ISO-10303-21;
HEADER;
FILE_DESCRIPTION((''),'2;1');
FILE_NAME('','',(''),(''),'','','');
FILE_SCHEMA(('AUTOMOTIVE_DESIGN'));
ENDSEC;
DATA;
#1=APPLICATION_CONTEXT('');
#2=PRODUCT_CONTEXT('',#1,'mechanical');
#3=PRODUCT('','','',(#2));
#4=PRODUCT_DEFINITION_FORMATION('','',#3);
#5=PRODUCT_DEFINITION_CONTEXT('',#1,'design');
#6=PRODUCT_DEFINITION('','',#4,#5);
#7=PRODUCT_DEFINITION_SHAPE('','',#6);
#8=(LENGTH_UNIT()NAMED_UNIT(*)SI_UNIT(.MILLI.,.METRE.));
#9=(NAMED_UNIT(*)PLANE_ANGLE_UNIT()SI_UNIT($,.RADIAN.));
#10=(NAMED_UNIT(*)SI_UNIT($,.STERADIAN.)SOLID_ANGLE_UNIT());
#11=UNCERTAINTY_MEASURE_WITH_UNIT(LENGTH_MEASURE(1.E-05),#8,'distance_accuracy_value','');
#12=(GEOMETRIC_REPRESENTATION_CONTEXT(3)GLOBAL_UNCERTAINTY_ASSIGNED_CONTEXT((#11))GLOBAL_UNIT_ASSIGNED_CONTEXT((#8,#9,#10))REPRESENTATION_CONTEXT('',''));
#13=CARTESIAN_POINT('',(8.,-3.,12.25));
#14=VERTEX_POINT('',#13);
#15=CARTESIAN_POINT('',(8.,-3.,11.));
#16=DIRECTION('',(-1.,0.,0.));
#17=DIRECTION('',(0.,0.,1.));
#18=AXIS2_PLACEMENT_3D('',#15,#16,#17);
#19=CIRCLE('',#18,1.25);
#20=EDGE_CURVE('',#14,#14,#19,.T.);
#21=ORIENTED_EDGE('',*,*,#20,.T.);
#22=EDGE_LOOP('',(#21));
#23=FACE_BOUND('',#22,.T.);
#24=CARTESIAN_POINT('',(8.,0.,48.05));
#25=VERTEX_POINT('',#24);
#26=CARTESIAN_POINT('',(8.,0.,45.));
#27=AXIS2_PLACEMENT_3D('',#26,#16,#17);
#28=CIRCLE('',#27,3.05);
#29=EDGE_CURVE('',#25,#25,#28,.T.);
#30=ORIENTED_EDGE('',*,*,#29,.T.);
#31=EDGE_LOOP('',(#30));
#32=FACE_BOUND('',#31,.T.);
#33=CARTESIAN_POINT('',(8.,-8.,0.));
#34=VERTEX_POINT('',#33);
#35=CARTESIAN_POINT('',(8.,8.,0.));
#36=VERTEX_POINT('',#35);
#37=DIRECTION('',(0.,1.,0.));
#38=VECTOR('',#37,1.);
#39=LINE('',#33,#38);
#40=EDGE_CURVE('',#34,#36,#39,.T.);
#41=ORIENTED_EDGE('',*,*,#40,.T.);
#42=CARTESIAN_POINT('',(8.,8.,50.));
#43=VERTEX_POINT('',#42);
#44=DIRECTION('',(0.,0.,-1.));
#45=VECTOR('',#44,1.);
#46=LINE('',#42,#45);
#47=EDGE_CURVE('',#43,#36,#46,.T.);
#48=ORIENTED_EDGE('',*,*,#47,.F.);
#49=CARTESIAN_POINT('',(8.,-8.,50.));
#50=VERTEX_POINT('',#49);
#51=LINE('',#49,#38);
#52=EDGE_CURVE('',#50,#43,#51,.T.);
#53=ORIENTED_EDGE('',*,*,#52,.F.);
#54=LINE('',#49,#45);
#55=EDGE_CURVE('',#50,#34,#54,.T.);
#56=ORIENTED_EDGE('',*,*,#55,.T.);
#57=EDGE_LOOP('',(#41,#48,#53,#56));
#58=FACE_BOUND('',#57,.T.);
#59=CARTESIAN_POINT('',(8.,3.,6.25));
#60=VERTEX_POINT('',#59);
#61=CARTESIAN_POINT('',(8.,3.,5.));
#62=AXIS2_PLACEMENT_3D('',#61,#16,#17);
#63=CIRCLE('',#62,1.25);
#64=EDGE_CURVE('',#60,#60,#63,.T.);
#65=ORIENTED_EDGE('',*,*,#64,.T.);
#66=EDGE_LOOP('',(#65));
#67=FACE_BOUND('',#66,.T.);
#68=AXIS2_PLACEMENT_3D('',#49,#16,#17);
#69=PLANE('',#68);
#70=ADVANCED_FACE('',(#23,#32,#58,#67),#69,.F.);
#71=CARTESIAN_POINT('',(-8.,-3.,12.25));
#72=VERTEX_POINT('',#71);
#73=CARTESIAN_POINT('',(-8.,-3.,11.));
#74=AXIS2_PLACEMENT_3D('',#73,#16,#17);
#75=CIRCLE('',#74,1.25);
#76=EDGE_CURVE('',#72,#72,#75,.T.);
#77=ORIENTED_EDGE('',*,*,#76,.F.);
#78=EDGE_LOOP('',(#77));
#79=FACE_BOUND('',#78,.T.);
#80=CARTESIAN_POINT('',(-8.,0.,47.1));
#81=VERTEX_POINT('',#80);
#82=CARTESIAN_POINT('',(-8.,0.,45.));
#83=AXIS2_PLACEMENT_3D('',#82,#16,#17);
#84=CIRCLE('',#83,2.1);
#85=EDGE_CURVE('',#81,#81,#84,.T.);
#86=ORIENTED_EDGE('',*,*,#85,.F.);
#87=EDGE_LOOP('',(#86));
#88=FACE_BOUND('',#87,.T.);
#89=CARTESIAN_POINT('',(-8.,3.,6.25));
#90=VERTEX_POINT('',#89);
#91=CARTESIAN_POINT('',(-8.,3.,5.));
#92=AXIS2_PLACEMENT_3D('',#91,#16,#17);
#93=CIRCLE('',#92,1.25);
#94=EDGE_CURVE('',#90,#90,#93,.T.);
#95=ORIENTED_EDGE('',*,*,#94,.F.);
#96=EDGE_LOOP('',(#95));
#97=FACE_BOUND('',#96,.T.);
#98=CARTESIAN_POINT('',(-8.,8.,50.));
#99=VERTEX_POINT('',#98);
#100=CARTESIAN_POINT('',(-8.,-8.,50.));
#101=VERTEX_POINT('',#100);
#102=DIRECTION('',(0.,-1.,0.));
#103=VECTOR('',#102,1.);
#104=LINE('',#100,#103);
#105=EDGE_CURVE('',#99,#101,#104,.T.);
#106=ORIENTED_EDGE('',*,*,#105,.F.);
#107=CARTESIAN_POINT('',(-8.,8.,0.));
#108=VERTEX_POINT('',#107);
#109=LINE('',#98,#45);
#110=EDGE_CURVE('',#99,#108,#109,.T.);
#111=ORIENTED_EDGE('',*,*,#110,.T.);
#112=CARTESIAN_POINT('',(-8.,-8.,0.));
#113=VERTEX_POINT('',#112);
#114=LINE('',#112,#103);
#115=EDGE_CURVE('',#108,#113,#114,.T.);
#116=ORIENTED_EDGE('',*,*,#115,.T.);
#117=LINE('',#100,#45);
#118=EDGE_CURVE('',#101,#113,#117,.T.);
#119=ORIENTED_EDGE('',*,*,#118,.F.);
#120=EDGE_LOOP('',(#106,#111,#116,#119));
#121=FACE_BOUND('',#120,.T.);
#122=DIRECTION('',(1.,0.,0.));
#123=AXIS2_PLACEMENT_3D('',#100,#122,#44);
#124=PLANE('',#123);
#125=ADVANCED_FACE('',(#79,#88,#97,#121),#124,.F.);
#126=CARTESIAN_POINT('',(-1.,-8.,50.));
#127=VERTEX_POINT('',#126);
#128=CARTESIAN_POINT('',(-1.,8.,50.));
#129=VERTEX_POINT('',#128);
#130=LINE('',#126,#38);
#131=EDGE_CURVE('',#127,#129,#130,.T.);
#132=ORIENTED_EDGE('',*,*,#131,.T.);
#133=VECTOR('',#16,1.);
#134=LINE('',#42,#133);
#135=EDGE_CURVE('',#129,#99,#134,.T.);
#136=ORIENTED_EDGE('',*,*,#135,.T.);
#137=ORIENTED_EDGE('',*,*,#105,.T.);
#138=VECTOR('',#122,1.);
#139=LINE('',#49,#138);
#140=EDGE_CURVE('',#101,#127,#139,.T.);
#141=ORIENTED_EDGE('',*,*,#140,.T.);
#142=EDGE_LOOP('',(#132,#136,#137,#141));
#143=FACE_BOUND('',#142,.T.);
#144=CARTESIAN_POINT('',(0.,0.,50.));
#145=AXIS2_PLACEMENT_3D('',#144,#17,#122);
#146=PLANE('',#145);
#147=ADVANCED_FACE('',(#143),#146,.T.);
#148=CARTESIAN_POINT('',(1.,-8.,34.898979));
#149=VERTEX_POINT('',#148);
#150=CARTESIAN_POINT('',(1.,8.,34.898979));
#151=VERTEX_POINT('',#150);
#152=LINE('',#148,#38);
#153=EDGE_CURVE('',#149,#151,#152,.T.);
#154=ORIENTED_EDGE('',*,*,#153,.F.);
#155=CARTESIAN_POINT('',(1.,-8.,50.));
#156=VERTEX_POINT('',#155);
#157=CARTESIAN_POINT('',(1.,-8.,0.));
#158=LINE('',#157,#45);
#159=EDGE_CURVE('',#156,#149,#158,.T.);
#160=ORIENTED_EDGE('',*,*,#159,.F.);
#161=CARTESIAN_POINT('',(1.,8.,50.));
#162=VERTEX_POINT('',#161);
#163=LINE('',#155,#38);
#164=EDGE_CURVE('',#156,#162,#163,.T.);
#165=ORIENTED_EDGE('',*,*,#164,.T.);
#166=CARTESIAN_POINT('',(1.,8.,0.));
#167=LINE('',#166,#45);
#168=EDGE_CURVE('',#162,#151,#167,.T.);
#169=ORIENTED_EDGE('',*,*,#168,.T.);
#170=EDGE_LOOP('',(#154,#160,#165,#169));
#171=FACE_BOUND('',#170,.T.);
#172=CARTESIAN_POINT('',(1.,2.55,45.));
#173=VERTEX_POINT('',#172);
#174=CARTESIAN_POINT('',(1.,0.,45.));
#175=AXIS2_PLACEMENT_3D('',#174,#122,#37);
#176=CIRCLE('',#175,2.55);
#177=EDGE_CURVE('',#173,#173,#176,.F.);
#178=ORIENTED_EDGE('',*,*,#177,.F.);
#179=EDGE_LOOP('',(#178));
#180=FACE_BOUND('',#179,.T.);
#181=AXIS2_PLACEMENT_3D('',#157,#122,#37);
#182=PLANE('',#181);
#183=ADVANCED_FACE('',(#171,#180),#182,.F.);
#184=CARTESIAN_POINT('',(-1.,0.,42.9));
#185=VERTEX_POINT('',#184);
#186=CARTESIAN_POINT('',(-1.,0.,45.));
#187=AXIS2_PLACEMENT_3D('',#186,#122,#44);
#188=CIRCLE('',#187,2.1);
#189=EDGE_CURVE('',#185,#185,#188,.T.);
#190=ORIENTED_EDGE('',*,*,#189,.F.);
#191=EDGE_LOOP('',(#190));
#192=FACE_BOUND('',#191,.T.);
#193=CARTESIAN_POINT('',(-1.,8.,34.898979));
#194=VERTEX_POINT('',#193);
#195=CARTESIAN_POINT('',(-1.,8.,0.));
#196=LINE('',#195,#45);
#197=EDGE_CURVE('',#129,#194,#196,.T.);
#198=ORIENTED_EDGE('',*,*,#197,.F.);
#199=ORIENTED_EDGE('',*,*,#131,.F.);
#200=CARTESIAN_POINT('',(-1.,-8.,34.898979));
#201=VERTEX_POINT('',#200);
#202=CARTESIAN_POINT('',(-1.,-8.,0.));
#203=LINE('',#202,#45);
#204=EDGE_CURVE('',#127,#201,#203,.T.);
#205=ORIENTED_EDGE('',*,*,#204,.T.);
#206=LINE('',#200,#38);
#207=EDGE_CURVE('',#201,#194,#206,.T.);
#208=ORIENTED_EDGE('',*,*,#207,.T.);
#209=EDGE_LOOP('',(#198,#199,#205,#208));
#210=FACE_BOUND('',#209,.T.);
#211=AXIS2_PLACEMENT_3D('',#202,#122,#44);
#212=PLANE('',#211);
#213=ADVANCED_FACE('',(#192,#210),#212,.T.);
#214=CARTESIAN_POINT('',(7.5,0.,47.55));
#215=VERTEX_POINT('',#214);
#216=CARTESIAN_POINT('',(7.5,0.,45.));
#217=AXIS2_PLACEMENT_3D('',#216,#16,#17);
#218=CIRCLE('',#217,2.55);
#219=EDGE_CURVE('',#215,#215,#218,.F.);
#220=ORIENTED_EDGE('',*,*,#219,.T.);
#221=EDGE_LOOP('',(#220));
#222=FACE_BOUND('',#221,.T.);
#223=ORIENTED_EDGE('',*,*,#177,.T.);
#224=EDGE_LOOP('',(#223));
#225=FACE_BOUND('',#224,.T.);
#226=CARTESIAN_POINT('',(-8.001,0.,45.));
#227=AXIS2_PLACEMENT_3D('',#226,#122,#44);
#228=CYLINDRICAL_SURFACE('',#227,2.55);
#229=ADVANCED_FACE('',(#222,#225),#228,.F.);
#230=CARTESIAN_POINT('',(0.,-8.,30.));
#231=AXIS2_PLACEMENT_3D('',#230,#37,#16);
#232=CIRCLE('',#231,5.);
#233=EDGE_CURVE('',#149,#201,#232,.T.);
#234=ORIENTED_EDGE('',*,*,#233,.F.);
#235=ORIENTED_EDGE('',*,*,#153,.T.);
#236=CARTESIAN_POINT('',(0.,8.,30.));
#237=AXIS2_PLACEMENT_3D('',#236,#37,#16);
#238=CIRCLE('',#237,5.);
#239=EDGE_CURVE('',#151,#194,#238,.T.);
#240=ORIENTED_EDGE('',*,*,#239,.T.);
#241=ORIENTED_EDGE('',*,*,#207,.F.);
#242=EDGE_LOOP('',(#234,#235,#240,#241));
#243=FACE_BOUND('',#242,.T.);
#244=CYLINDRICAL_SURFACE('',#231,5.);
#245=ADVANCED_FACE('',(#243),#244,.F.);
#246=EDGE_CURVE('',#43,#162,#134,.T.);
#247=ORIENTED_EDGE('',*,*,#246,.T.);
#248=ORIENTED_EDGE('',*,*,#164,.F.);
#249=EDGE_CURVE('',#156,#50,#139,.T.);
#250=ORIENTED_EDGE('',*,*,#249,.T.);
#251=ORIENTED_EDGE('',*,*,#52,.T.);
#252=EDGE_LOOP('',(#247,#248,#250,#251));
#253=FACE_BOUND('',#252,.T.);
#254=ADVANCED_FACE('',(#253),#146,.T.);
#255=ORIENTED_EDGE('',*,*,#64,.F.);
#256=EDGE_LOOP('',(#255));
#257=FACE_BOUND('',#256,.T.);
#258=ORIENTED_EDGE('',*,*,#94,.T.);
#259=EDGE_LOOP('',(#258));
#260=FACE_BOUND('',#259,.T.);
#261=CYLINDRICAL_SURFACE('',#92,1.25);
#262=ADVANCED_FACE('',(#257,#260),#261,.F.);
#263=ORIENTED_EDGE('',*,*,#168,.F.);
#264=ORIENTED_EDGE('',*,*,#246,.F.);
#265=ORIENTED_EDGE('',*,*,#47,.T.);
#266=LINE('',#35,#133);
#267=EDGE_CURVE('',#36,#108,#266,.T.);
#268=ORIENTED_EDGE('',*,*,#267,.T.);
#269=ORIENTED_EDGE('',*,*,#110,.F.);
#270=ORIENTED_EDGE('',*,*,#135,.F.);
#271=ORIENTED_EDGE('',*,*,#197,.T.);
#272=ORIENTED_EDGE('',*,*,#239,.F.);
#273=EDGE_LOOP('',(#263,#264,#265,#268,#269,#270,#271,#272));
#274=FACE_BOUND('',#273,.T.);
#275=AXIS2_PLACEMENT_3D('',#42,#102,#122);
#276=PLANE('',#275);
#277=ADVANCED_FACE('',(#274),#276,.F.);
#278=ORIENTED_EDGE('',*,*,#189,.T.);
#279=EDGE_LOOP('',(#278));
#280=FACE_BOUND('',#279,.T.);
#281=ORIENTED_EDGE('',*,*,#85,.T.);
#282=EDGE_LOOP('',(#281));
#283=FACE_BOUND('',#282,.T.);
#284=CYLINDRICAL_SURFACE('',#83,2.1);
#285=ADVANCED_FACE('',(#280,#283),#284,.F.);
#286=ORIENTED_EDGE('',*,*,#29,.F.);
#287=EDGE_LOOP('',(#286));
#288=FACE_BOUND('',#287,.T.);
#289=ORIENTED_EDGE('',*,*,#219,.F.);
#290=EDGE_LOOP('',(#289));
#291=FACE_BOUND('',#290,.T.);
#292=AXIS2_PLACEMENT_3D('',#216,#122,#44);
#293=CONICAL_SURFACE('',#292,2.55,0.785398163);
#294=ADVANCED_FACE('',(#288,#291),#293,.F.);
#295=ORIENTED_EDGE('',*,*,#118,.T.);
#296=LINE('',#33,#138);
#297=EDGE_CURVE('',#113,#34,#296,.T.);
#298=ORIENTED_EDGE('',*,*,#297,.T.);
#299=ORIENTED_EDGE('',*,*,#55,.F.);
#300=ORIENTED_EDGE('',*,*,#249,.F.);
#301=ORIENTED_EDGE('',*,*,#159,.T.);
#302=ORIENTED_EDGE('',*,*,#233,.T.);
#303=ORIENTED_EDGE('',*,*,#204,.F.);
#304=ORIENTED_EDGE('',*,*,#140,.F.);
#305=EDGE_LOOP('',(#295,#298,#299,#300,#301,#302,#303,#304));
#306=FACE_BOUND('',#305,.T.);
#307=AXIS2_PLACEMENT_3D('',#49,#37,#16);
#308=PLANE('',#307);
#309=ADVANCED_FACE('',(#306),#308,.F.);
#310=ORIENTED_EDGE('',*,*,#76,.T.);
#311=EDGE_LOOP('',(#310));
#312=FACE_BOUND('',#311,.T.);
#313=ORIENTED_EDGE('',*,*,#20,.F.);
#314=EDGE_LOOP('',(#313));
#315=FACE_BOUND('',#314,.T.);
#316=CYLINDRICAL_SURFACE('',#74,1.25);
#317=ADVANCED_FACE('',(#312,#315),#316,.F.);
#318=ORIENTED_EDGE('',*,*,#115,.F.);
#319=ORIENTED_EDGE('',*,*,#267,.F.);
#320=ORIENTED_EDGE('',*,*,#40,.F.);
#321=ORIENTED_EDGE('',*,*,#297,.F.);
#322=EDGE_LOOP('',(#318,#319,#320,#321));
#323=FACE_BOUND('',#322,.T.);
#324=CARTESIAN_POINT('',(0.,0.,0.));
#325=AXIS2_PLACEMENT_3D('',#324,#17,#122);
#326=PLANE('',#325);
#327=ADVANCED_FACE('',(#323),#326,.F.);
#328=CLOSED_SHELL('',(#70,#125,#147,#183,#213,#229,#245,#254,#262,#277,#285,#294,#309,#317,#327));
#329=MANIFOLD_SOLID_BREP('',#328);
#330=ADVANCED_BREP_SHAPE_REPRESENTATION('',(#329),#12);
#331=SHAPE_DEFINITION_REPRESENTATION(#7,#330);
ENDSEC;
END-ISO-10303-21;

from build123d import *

# Parameters (mm, degrees)
SKETCH1_W                                  = 16
SKETCH1_H                                  = 16
BASE_DEPTH                                 = 50
SKETCH2_R                                  = 5
RODSLOT_DEPTH                              = 54.103672189
RODSCREWMOUNT_REACH                        = 55.104
SKETCH3_R                                  = 2.55
CHAMFERFORRODSCREW_SIZE                    = 0.5
M5X0_8_TAPPED_HOLE_FOR_ROD_SCREW_D         = 4.2
M5X0_8_TAPPED_HOLE_FOR_ROD_SCREW_DEPTH     = 7.6381927
M5X0_8_TAPPED_HOLE_FOR_ROD_SCREW_TIP       = 1.2618073
M3X0_5_TAPPED_HOLE_FOR_MOUNT_WITH_SECOND_D = 2.5


with BuildPart() as part:
    # Sketch1 → Base (new body)
    with BuildSketch(Plane.XY):
        Rectangle(SKETCH1_W, SKETCH1_H)
    extrude(amount=BASE_DEPTH)

    # Sketch2 → RodSlot (cut, through all)
    with BuildSketch(Plane(origin=(0, 8, 0), x_dir=(1, 0, 0), z_dir=(0, 1, 0))):
        with Locations((0, -30)):
            Circle(SKETCH2_R)
        with BuildLine():
            Line((-1, -34.898979486), (-1, -50))
            Line((-1, -50), (1, -50))
            Line((1, -50), (1, -34.898979486))
            ThreePointArc((1, -34.898979486), (0, -35), (-1, -34.898979486))
        make_face()
    extrude(amount=-RODSLOT_DEPTH, mode=Mode.SUBTRACT)

    # Sketch3 → RodScrewMount (cut, up to next)
    with BuildSketch(Plane(origin=(8, 0, 0), x_dir=(0, 0, -1), z_dir=(1, 0, 0)), mode=Mode.PRIVATE) as rodscrewmount_sk1:
        with Locations((-45, 0)):
            Circle(SKETCH3_R)
    rodscrewmount_tool1 = extrude(rodscrewmount_sk1.sketch, amount=-RODSCREWMOUNT_REACH, mode=Mode.PRIVATE) & part.part
    add(rodscrewmount_tool1.solids().sort_by_distance((8, 0, 45))[0], mode=Mode.SUBTRACT)

    # ChamferForRodScrew
    chamferforrodscrew_edges = [part.edges().sort_by_distance(p)[0] for p in [
        (8, 0, 47.55),
    ]]
    chamfer(chamferforrodscrew_edges, length=CHAMFERFORRODSCREW_SIZE)

    # M5x0.8 Tapped Hole for rod screw
    with Locations(Plane.ZY.offset(8)):
        with Locations((45, 0)):
            Hole(M5X0_8_TAPPED_HOLE_FOR_ROD_SCREW_D / 2, depth=M5X0_8_TAPPED_HOLE_FOR_ROD_SCREW_DEPTH)
            with Locations((0, 0, -(M5X0_8_TAPPED_HOLE_FOR_ROD_SCREW_DEPTH + M5X0_8_TAPPED_HOLE_FOR_ROD_SCREW_TIP / 2))):  # 118° drill point
                Cone(0, M5X0_8_TAPPED_HOLE_FOR_ROD_SCREW_D / 2, M5X0_8_TAPPED_HOLE_FOR_ROD_SCREW_TIP, mode=Mode.SUBTRACT)

    # M3x0.5 Tapped Hole for mount with second part (through all)
    with Locations(Plane.ZY.offset(8)):
        with Locations((5, 3), (11, -3)):
            Hole(M3X0_5_TAPPED_HOLE_FOR_MOUNT_WITH_SECOND_D / 2)


solid = part.part
